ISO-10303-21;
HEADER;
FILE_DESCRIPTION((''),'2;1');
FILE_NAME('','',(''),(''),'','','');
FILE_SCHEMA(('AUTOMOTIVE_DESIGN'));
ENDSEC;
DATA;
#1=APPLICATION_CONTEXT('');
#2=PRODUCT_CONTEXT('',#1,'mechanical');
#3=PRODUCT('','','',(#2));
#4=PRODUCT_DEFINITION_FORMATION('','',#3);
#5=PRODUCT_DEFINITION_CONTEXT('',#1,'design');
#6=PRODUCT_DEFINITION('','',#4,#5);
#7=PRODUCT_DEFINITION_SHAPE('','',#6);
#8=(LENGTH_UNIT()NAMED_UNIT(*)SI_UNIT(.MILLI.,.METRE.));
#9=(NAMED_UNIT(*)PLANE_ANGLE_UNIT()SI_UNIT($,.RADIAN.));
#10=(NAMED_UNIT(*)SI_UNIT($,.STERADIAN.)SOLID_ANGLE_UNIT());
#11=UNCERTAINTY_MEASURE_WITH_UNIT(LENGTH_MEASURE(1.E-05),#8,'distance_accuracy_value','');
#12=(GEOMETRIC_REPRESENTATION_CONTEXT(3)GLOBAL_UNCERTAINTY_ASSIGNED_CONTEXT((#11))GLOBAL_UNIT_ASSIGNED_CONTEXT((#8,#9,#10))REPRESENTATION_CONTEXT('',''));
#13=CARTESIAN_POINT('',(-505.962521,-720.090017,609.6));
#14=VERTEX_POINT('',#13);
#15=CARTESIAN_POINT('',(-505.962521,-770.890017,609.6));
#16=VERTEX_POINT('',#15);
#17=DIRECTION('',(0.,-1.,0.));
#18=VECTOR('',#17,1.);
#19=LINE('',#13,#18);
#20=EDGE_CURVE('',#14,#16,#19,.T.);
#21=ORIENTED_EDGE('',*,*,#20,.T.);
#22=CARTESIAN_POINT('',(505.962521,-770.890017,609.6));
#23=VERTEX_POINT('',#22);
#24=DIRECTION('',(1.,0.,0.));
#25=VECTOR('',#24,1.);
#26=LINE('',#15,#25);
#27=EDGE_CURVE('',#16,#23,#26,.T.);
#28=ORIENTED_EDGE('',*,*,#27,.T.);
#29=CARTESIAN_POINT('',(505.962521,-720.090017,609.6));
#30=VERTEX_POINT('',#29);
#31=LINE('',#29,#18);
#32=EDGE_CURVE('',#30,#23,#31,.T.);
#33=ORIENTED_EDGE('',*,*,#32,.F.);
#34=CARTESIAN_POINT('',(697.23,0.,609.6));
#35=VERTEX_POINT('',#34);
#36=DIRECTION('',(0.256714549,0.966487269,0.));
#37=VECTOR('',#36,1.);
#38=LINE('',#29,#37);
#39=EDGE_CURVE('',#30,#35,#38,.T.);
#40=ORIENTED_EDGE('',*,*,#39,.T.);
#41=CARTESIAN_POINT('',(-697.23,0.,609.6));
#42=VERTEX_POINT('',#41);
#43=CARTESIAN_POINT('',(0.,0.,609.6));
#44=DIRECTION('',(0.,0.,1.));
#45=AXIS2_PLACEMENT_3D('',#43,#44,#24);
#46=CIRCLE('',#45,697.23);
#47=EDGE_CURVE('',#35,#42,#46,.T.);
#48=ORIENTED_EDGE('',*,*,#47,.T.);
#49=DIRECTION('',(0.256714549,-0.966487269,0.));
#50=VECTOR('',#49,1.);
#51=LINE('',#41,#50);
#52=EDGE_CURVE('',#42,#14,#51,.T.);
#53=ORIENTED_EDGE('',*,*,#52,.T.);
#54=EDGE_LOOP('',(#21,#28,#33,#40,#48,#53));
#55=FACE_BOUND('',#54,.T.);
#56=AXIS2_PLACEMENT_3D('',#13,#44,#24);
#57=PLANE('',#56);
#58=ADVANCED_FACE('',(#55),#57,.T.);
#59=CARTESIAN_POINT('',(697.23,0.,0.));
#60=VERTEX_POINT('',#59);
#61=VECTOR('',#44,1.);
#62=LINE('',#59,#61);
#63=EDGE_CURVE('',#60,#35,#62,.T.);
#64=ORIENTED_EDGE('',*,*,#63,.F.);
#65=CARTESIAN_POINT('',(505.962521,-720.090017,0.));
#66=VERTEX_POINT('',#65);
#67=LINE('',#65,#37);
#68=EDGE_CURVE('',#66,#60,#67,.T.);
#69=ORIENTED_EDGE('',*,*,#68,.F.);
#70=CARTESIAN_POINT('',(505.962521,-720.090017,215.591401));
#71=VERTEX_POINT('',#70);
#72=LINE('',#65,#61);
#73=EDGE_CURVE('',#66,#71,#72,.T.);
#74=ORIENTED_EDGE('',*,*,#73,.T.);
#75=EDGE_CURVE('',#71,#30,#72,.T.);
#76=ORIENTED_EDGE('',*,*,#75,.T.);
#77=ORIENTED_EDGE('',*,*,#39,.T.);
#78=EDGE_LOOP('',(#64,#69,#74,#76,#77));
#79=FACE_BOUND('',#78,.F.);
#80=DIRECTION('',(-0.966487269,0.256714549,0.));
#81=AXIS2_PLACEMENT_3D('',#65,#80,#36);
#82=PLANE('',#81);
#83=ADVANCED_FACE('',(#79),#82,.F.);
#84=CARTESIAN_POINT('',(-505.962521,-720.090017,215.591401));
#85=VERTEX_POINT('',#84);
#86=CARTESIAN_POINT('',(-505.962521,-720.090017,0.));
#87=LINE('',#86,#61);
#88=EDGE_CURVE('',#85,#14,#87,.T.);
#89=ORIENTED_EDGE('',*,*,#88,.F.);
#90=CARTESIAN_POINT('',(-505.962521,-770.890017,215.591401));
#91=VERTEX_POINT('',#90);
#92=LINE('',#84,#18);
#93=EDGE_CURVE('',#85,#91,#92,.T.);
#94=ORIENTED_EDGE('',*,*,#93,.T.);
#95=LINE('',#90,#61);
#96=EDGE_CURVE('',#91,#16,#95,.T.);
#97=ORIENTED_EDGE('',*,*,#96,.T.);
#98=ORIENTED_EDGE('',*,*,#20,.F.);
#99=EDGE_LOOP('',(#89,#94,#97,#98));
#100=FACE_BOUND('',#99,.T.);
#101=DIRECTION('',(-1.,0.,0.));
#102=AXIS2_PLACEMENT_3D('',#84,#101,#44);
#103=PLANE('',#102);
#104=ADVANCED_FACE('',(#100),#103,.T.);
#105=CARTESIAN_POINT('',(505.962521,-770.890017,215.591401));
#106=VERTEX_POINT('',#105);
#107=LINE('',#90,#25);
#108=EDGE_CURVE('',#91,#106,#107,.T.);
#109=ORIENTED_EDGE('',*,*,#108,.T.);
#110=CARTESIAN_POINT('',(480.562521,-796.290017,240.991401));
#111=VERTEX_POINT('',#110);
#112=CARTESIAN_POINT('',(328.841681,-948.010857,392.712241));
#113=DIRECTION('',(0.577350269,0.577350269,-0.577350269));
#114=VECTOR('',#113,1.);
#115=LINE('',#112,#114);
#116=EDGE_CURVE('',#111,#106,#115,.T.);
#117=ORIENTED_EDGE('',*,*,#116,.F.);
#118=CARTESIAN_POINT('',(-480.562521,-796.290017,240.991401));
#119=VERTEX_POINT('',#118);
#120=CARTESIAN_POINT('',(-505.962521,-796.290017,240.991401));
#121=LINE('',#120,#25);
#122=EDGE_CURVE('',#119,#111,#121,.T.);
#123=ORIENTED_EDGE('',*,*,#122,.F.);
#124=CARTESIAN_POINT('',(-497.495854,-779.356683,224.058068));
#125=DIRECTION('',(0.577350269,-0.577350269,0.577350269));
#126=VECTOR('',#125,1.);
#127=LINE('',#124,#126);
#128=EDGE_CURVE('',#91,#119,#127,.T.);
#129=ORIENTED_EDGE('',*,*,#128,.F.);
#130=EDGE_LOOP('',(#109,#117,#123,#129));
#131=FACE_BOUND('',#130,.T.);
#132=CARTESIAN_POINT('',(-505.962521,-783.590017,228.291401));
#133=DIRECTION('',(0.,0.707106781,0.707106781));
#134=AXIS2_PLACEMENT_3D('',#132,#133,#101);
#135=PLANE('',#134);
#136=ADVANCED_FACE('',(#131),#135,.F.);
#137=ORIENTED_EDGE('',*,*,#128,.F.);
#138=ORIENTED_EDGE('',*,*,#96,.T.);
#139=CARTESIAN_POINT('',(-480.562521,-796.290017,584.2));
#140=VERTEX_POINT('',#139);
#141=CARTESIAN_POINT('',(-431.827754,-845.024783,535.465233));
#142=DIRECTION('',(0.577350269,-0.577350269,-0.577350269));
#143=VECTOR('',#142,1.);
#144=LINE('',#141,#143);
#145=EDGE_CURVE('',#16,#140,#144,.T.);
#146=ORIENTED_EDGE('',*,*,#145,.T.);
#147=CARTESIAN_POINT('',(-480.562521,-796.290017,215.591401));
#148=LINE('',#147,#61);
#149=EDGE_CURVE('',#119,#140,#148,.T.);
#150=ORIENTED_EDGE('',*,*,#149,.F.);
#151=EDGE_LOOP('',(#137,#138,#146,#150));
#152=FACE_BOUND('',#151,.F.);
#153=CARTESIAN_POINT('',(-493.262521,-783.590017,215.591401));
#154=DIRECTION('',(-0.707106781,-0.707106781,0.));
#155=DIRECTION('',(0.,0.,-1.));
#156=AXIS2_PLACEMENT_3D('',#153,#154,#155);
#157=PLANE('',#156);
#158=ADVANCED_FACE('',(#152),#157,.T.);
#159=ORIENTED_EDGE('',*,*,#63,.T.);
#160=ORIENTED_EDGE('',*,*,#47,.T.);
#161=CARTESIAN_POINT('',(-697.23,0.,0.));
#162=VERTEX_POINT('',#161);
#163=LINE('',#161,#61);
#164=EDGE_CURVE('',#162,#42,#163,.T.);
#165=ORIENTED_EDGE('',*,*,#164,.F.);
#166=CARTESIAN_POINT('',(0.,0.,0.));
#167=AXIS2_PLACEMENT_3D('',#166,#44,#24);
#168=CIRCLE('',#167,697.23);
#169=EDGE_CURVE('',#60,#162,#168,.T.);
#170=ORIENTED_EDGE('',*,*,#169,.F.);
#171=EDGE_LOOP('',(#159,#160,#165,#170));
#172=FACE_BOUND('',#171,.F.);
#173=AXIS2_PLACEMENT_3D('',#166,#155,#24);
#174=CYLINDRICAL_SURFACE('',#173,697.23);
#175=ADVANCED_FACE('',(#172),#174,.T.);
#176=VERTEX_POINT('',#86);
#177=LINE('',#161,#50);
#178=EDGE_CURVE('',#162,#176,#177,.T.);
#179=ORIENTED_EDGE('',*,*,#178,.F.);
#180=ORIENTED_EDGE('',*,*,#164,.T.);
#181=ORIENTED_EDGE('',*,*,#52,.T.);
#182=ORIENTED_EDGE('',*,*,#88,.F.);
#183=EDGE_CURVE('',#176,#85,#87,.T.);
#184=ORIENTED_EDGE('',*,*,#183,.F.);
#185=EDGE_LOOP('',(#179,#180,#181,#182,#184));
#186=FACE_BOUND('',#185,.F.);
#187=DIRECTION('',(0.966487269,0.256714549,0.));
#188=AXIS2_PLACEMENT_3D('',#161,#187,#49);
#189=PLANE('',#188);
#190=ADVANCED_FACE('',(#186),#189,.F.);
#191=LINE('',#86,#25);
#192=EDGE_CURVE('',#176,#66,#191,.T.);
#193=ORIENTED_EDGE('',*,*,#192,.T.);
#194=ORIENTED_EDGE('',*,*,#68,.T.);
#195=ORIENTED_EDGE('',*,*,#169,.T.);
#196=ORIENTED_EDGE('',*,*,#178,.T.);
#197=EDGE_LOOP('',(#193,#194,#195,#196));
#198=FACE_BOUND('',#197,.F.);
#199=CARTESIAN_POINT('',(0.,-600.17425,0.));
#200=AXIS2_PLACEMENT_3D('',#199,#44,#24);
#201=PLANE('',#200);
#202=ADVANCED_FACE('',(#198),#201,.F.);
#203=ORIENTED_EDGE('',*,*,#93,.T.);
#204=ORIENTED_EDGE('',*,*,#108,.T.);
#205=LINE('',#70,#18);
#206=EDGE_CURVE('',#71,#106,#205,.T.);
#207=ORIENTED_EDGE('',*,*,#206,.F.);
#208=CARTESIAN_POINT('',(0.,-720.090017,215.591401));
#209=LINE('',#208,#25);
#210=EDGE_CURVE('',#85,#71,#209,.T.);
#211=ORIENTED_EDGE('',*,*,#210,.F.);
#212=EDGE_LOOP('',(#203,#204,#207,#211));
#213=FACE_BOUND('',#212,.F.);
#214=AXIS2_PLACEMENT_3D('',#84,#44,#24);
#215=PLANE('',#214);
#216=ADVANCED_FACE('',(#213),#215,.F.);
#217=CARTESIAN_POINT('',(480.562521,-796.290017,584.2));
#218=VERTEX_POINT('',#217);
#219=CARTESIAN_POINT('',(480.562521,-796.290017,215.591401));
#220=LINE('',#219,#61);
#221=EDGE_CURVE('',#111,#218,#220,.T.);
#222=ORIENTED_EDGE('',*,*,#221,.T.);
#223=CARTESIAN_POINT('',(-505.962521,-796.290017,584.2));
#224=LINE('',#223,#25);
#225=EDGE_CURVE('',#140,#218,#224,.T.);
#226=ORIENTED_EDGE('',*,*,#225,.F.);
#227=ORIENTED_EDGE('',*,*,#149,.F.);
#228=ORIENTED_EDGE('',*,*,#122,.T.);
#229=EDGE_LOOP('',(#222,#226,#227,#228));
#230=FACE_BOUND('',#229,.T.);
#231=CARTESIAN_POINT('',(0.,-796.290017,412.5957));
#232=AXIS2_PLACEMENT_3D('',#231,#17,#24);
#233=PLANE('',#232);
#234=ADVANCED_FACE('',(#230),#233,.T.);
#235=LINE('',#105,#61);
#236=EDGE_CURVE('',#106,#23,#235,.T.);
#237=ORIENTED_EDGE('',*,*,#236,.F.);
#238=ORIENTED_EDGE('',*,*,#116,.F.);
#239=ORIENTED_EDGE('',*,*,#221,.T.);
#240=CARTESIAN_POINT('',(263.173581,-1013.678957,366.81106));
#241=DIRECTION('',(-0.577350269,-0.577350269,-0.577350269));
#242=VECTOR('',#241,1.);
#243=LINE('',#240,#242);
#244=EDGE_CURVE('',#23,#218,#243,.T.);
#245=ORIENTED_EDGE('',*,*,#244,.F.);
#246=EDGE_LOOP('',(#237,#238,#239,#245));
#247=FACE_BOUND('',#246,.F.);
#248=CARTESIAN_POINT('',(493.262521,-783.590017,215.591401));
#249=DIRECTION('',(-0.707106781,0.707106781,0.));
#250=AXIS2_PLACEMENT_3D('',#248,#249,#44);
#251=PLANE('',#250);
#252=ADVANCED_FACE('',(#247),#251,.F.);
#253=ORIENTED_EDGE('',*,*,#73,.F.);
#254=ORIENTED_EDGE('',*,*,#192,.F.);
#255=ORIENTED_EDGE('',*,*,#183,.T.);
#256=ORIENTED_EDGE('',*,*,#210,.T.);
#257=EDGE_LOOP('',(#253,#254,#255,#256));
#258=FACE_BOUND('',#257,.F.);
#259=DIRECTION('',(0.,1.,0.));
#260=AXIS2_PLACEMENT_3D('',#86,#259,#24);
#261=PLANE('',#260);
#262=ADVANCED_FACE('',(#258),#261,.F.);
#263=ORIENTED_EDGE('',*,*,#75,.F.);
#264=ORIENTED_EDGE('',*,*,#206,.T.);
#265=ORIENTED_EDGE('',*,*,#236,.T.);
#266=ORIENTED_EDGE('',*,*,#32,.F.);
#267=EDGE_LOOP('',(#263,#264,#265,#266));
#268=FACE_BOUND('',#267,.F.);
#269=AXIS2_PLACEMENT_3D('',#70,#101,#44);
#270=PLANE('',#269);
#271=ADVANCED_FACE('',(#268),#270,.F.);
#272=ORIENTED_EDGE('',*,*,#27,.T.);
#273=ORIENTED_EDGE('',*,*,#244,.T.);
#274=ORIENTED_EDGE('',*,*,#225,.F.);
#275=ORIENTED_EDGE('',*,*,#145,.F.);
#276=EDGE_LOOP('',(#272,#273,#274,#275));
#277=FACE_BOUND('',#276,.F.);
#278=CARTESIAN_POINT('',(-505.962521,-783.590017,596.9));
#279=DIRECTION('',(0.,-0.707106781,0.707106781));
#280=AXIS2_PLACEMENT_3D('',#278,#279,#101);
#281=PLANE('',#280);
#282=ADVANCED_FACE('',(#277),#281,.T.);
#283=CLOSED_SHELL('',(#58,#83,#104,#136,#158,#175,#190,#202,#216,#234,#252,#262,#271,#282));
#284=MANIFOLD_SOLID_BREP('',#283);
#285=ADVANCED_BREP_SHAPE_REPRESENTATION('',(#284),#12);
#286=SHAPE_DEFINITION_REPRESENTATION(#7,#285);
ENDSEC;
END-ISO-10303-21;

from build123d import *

# Parameters (mm, degrees)
F1_DEPTH = 609.6
F2_W     = 1011.9250416756
F2_H     = 394.0085991383
F3_DEPTH = 76.2
F4_SIZE  = 25.4


with BuildPart() as f1:
    # F0 (on Top) → F1 (new body)
    with BuildSketch(Plane.XY):
        with BuildLine():
            Line((505.9625208378, -720.0900167227), (605.3317958883, -345.9813431194))
            ThreePointArc((605.3317958883, -345.9813431194), (0, -697.23), (-605.3317958883, -345.9813431194))
            Line((-605.3317958883, -345.9813431194), (-505.9625208378, -720.0900167227))
            Line((-505.9625208378, -720.0900167227), (505.9625208378, -720.0900167227))
        make_face()
        with BuildLine():
            Line((605.3317958883, -345.9813431194), (697.23, 0))
            ThreePointArc((697.23, 0), (0, 697.23), (-697.23, 0))
            Line((-697.23, 0), (-605.3317958883, -345.9813431194))
            ThreePointArc((-605.3317958883, -345.9813431194), (0, -697.23), (605.3317958883, -345.9813431194))
        make_face()
    extrude(amount=F1_DEPTH)

    # F2 (on face) → F3 (join)
    with BuildSketch(Plane.XZ.offset(720.0900167227)):
        with Locations((0, 412.5957004309)):
            Rectangle(F2_W, F2_H)
    extrude(amount=F3_DEPTH)

    # F4
    f4_edges = [f1.edges().sort_by_distance(p)[0] for p in [
        (0, -796.290017, 609.6),
        (505.962521, -796.290017, 412.5957),
        (0, -796.290017, 215.591401),
        (-505.962521, -796.290017, 412.5957),
    ]]
    chamfer(f4_edges, length=F4_SIZE)


solid = f1.part
